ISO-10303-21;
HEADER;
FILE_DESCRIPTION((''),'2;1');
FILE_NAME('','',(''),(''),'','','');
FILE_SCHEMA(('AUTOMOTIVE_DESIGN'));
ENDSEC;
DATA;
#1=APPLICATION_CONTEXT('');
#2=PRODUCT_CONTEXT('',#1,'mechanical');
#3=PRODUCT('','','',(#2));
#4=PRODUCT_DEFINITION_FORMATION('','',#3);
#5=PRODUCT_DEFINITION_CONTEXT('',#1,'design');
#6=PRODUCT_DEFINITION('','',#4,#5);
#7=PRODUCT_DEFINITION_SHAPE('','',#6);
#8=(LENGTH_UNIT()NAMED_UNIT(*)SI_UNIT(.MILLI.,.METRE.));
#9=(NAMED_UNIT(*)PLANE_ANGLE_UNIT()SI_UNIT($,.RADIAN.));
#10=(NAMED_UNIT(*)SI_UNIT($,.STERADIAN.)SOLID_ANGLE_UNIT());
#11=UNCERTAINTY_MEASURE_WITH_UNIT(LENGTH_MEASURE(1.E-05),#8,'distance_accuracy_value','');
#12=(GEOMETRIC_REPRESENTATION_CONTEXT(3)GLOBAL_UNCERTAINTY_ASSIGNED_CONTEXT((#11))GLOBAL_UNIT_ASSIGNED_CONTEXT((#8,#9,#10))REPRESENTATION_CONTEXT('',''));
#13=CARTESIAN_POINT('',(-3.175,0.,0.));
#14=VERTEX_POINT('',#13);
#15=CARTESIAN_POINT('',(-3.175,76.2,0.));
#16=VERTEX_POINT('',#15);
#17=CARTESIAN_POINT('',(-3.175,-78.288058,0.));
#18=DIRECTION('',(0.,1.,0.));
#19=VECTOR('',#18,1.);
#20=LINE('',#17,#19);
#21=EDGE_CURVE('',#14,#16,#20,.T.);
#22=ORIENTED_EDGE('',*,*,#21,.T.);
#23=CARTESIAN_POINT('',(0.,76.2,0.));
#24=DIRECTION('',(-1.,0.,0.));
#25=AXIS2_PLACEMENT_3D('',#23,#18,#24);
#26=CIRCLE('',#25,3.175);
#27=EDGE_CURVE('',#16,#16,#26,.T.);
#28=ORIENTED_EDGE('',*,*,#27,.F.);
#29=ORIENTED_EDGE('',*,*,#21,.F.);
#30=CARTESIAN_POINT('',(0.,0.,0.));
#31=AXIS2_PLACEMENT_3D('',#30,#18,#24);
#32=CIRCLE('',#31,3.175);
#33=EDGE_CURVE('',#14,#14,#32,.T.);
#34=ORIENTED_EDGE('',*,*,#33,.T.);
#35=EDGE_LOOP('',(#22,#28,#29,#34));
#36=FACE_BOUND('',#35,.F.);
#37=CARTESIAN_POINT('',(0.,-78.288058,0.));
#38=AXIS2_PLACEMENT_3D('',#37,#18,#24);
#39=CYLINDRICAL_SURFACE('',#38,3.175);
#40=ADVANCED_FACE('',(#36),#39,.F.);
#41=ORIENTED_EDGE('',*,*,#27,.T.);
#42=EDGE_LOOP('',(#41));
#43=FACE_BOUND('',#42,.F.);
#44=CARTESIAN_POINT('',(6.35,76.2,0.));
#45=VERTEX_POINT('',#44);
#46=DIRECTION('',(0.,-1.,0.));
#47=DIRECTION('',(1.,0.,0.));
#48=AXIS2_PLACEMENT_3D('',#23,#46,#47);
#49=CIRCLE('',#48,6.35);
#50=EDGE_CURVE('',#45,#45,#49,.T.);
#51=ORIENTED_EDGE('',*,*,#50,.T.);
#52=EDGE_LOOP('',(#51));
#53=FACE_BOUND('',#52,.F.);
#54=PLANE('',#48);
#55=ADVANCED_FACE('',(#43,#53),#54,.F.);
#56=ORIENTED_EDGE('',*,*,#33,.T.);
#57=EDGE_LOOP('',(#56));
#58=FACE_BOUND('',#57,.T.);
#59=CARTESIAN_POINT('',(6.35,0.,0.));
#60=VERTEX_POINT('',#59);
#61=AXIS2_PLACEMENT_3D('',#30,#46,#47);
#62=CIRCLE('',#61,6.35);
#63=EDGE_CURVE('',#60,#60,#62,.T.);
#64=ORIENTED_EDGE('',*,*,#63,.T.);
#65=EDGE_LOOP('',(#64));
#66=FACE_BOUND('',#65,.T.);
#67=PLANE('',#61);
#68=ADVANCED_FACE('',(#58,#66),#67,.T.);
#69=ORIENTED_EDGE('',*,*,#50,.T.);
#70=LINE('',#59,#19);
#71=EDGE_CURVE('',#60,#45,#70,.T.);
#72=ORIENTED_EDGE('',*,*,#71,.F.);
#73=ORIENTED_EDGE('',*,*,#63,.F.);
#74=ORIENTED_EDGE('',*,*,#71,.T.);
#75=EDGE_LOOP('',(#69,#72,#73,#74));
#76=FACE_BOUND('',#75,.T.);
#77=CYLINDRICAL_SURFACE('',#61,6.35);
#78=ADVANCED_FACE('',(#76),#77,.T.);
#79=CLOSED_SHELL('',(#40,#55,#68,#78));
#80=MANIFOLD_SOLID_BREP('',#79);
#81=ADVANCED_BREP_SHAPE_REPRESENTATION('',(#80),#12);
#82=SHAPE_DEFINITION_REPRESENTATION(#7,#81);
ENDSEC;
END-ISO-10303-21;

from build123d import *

# Parameters (mm, degrees)
F0_R     = 6.35
F1_DEPTH = 76.2
F3_D     = 6.35


with BuildPart() as f1:
    # F0 (on Front) → F1 (new body)
    with BuildSketch(Plane.XZ):
        Circle(F0_R)
    extrude(amount=-F1_DEPTH)

    # F3 (through all)
    with Locations(Plane.XZ):
        with Locations((0, 0)):
            Hole(F3_D / 2)


solid = f1.part
